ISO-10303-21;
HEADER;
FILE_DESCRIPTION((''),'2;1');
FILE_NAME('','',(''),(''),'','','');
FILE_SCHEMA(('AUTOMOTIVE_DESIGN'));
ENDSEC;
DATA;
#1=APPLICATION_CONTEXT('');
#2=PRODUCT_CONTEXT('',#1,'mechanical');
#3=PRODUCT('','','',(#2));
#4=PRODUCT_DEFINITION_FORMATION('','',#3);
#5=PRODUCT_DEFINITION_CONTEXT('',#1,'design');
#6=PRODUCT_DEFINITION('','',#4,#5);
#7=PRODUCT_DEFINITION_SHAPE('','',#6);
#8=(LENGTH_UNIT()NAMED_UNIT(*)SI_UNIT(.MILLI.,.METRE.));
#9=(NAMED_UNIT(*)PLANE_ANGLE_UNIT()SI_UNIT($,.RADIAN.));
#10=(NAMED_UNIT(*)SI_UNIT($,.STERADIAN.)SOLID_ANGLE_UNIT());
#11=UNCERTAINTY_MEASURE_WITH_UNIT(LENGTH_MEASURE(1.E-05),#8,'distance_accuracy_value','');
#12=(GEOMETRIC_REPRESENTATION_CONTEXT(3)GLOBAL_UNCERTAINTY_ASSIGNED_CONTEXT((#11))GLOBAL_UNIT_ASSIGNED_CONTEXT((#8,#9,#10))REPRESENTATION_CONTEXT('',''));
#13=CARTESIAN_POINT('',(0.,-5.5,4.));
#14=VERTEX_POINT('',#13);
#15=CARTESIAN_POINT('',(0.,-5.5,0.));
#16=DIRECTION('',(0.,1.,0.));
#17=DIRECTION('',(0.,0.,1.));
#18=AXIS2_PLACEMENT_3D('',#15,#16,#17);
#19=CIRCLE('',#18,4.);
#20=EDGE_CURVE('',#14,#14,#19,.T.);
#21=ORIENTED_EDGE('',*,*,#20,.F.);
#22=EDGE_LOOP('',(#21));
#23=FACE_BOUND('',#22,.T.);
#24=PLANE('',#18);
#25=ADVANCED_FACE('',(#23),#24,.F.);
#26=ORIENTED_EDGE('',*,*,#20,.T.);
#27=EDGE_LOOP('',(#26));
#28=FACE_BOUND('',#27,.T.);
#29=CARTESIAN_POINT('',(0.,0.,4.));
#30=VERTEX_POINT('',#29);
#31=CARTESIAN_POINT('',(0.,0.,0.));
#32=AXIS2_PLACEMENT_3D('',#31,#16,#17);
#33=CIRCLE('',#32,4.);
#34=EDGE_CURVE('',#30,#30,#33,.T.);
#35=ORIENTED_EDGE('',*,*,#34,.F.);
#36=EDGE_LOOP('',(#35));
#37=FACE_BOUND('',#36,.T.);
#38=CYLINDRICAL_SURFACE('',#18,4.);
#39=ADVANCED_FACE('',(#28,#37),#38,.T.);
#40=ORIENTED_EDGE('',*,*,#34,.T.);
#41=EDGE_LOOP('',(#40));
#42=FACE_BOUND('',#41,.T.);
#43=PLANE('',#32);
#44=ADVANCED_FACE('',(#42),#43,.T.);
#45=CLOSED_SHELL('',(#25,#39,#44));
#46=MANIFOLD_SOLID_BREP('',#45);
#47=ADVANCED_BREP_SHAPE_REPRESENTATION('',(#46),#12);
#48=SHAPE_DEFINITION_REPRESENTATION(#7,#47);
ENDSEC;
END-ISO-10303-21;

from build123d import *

# Parameters (mm, degrees)
SKETCH1_R           = 4
BOSS_EXTRUDE1_DEPTH = 5.5


with BuildPart() as part:
    # Sketch1 → Boss-Extrude1 (new body)
    with BuildSketch(Plane(origin=(0, 0, 0), x_dir=(1, 0, 0), z_dir=(0, 1, 0))):
        Circle(SKETCH1_R)
    extrude(amount=-BOSS_EXTRUDE1_DEPTH)


solid = part.part
